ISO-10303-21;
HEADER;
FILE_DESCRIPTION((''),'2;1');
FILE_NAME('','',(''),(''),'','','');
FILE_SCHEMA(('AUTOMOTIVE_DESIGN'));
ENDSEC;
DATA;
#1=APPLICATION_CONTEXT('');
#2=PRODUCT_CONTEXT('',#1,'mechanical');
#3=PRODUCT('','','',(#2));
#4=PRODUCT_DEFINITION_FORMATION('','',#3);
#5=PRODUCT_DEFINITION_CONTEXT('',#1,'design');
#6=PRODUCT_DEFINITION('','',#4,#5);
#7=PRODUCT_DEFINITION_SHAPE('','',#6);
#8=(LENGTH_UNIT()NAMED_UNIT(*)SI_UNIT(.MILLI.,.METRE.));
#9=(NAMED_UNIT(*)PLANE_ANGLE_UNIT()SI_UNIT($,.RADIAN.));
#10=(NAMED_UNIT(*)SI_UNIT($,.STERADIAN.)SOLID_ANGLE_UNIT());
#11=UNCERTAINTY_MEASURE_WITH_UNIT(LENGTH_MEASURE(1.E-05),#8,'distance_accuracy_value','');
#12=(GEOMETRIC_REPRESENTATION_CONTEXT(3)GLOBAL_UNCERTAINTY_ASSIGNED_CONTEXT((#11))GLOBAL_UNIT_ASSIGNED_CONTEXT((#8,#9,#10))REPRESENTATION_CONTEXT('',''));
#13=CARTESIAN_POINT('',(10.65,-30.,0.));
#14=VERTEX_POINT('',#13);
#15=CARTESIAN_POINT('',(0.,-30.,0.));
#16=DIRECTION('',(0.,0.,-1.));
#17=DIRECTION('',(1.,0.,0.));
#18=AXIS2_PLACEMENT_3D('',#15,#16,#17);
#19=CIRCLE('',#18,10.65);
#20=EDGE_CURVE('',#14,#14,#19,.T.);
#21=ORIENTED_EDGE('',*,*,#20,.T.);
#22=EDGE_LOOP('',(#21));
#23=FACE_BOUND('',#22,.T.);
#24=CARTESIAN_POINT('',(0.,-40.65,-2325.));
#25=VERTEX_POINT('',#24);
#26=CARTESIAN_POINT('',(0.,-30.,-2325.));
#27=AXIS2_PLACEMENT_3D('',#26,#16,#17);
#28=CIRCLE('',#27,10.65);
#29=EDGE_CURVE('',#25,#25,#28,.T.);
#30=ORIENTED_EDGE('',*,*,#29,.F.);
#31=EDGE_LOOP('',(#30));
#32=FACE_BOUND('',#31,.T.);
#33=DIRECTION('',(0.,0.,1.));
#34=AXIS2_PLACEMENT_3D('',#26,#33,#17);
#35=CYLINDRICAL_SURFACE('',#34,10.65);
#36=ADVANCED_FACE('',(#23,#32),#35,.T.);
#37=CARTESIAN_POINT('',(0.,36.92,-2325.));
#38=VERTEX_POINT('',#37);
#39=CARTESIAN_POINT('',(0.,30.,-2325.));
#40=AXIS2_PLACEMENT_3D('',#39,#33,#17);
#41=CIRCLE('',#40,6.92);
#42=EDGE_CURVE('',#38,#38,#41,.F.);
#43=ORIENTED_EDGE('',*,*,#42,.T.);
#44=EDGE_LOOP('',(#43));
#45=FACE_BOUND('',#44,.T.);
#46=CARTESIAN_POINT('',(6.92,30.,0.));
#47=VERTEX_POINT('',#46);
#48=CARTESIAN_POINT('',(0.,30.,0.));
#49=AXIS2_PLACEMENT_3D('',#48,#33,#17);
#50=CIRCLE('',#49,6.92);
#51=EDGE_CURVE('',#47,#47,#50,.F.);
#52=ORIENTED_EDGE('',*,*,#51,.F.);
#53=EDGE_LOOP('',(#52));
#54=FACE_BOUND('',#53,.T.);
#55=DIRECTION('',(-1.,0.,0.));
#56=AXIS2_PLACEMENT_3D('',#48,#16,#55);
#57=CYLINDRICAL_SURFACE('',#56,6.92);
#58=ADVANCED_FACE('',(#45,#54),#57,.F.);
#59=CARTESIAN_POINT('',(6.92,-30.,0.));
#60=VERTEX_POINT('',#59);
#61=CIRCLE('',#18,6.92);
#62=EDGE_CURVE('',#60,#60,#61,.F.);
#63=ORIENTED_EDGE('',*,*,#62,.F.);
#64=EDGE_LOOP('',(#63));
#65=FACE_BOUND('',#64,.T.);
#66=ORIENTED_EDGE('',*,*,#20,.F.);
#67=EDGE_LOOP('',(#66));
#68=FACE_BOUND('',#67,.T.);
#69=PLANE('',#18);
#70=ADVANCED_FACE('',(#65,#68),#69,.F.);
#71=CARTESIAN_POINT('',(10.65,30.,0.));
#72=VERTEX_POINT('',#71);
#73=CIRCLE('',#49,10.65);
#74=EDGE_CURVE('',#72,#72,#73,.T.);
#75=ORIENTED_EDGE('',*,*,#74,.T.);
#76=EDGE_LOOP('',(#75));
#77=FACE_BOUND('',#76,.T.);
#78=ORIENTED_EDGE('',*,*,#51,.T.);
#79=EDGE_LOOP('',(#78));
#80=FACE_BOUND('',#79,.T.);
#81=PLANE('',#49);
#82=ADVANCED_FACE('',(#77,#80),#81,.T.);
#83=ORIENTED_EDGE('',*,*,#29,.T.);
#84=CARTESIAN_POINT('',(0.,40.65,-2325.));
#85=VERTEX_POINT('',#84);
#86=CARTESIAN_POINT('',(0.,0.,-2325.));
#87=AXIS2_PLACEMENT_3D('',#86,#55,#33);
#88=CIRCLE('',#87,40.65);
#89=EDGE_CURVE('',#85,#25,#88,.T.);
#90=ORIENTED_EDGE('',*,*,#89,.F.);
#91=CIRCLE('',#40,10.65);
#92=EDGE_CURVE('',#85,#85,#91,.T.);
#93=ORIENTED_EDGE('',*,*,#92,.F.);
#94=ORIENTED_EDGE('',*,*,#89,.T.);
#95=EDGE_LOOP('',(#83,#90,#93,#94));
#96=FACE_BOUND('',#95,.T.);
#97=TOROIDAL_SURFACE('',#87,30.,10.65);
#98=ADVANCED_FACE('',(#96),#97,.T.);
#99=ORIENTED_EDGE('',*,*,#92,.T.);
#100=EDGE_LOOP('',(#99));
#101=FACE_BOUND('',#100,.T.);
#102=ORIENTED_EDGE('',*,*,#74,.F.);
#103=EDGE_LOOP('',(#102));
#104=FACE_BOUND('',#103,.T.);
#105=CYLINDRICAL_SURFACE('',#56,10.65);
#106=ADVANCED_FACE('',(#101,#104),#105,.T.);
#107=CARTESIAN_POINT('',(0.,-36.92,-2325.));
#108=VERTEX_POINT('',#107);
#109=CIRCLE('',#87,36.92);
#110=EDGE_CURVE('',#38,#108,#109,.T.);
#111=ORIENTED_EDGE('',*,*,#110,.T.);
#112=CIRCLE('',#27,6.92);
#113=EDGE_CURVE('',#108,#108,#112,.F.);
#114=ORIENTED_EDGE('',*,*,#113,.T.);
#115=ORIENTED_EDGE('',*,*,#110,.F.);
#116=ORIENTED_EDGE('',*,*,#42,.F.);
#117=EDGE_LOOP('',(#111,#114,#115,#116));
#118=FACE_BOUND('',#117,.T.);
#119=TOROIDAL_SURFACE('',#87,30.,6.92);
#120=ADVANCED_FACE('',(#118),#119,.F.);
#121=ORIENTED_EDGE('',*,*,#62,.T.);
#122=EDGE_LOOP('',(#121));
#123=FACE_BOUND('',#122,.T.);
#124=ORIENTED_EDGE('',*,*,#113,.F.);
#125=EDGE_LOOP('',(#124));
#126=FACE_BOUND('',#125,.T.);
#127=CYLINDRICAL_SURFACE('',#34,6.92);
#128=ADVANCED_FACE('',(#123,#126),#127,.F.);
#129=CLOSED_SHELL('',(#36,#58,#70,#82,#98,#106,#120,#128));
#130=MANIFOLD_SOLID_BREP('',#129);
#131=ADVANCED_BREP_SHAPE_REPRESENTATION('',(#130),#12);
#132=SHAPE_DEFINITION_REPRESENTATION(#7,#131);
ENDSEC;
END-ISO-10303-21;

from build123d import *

# Parameters (mm, degrees)
SKETCH2_R   = 10.65
SKETCH2_R_2 = 6.92


with BuildPart() as part:
    # Sweep1: sweep along a path in Sketch1
    with BuildLine(Plane(origin=(0, 0, 0), x_dir=(0, 0, -1), z_dir=(1, 0, 0))) as sweep1_path:
        Line((0, 30), (2325, 30))
        ThreePointArc((2325, 30), (2355, 0), (2325, -30))
        Line((2325, -30), (0, -30))
    # Sketch2 → Sweep1 (sweep)
    with BuildSketch(Plane.XY):
        with Locations((0, 30)):
            Circle(SKETCH2_R)
        with Locations((0, 30)):
            Circle(SKETCH2_R_2, mode=Mode.SUBTRACT)
    sweep(path=sweep1_path.line)


solid = part.part
